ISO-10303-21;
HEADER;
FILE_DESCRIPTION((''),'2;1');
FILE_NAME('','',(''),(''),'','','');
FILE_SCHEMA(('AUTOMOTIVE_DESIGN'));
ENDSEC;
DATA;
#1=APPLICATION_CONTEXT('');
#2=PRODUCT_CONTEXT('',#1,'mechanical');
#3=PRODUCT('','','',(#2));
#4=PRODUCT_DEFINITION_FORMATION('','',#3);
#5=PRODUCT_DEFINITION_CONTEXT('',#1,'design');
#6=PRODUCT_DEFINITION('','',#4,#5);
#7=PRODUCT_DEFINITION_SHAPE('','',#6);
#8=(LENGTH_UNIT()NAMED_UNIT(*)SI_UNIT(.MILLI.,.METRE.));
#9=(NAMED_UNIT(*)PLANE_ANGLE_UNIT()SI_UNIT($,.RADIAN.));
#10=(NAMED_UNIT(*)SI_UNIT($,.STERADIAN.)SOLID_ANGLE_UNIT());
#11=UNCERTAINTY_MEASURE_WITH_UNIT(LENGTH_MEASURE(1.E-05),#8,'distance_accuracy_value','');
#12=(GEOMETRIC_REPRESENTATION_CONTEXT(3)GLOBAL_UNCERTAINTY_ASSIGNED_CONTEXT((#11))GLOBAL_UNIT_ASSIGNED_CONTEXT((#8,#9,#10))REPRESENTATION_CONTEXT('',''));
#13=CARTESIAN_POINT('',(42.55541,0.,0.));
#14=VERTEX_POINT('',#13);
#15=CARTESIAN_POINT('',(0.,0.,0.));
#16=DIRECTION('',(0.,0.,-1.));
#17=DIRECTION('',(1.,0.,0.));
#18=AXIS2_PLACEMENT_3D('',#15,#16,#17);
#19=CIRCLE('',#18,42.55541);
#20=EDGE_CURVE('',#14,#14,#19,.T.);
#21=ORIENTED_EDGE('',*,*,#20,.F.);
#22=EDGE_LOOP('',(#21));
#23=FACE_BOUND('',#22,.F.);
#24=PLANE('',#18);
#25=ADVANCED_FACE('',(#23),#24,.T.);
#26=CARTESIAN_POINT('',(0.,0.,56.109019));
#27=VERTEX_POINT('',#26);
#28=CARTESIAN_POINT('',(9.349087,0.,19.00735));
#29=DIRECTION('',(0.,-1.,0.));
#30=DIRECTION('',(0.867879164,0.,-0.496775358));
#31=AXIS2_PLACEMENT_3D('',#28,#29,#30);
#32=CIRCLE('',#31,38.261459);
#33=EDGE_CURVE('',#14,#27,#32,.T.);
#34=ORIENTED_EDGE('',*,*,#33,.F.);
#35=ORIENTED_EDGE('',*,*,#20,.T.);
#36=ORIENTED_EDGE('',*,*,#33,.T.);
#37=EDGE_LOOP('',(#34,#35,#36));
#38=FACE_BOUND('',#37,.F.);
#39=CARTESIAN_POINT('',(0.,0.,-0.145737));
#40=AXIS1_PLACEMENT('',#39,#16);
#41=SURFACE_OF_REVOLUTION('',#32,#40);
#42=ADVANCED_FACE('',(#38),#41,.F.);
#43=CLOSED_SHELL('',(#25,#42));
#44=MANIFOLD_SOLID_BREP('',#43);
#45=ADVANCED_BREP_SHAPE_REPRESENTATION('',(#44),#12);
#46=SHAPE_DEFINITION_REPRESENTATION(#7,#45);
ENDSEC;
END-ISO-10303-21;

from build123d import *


with BuildPart() as f1:
    # F0 (on Front) → F1 (revolve)
    with BuildSketch(Plane.XZ):
        with BuildLine():
            ThreePointArc((42.55541, 0), (39.834287, 42.128592), (0, 56.109019))
            Line((0, 56.109019), (0, 0))
            Line((0, 0), (42.55541, 0))
        make_face()
    revolve(axis=Axis((0, 0, -0.145737), (0, 0, -1)))


solid = f1.part
